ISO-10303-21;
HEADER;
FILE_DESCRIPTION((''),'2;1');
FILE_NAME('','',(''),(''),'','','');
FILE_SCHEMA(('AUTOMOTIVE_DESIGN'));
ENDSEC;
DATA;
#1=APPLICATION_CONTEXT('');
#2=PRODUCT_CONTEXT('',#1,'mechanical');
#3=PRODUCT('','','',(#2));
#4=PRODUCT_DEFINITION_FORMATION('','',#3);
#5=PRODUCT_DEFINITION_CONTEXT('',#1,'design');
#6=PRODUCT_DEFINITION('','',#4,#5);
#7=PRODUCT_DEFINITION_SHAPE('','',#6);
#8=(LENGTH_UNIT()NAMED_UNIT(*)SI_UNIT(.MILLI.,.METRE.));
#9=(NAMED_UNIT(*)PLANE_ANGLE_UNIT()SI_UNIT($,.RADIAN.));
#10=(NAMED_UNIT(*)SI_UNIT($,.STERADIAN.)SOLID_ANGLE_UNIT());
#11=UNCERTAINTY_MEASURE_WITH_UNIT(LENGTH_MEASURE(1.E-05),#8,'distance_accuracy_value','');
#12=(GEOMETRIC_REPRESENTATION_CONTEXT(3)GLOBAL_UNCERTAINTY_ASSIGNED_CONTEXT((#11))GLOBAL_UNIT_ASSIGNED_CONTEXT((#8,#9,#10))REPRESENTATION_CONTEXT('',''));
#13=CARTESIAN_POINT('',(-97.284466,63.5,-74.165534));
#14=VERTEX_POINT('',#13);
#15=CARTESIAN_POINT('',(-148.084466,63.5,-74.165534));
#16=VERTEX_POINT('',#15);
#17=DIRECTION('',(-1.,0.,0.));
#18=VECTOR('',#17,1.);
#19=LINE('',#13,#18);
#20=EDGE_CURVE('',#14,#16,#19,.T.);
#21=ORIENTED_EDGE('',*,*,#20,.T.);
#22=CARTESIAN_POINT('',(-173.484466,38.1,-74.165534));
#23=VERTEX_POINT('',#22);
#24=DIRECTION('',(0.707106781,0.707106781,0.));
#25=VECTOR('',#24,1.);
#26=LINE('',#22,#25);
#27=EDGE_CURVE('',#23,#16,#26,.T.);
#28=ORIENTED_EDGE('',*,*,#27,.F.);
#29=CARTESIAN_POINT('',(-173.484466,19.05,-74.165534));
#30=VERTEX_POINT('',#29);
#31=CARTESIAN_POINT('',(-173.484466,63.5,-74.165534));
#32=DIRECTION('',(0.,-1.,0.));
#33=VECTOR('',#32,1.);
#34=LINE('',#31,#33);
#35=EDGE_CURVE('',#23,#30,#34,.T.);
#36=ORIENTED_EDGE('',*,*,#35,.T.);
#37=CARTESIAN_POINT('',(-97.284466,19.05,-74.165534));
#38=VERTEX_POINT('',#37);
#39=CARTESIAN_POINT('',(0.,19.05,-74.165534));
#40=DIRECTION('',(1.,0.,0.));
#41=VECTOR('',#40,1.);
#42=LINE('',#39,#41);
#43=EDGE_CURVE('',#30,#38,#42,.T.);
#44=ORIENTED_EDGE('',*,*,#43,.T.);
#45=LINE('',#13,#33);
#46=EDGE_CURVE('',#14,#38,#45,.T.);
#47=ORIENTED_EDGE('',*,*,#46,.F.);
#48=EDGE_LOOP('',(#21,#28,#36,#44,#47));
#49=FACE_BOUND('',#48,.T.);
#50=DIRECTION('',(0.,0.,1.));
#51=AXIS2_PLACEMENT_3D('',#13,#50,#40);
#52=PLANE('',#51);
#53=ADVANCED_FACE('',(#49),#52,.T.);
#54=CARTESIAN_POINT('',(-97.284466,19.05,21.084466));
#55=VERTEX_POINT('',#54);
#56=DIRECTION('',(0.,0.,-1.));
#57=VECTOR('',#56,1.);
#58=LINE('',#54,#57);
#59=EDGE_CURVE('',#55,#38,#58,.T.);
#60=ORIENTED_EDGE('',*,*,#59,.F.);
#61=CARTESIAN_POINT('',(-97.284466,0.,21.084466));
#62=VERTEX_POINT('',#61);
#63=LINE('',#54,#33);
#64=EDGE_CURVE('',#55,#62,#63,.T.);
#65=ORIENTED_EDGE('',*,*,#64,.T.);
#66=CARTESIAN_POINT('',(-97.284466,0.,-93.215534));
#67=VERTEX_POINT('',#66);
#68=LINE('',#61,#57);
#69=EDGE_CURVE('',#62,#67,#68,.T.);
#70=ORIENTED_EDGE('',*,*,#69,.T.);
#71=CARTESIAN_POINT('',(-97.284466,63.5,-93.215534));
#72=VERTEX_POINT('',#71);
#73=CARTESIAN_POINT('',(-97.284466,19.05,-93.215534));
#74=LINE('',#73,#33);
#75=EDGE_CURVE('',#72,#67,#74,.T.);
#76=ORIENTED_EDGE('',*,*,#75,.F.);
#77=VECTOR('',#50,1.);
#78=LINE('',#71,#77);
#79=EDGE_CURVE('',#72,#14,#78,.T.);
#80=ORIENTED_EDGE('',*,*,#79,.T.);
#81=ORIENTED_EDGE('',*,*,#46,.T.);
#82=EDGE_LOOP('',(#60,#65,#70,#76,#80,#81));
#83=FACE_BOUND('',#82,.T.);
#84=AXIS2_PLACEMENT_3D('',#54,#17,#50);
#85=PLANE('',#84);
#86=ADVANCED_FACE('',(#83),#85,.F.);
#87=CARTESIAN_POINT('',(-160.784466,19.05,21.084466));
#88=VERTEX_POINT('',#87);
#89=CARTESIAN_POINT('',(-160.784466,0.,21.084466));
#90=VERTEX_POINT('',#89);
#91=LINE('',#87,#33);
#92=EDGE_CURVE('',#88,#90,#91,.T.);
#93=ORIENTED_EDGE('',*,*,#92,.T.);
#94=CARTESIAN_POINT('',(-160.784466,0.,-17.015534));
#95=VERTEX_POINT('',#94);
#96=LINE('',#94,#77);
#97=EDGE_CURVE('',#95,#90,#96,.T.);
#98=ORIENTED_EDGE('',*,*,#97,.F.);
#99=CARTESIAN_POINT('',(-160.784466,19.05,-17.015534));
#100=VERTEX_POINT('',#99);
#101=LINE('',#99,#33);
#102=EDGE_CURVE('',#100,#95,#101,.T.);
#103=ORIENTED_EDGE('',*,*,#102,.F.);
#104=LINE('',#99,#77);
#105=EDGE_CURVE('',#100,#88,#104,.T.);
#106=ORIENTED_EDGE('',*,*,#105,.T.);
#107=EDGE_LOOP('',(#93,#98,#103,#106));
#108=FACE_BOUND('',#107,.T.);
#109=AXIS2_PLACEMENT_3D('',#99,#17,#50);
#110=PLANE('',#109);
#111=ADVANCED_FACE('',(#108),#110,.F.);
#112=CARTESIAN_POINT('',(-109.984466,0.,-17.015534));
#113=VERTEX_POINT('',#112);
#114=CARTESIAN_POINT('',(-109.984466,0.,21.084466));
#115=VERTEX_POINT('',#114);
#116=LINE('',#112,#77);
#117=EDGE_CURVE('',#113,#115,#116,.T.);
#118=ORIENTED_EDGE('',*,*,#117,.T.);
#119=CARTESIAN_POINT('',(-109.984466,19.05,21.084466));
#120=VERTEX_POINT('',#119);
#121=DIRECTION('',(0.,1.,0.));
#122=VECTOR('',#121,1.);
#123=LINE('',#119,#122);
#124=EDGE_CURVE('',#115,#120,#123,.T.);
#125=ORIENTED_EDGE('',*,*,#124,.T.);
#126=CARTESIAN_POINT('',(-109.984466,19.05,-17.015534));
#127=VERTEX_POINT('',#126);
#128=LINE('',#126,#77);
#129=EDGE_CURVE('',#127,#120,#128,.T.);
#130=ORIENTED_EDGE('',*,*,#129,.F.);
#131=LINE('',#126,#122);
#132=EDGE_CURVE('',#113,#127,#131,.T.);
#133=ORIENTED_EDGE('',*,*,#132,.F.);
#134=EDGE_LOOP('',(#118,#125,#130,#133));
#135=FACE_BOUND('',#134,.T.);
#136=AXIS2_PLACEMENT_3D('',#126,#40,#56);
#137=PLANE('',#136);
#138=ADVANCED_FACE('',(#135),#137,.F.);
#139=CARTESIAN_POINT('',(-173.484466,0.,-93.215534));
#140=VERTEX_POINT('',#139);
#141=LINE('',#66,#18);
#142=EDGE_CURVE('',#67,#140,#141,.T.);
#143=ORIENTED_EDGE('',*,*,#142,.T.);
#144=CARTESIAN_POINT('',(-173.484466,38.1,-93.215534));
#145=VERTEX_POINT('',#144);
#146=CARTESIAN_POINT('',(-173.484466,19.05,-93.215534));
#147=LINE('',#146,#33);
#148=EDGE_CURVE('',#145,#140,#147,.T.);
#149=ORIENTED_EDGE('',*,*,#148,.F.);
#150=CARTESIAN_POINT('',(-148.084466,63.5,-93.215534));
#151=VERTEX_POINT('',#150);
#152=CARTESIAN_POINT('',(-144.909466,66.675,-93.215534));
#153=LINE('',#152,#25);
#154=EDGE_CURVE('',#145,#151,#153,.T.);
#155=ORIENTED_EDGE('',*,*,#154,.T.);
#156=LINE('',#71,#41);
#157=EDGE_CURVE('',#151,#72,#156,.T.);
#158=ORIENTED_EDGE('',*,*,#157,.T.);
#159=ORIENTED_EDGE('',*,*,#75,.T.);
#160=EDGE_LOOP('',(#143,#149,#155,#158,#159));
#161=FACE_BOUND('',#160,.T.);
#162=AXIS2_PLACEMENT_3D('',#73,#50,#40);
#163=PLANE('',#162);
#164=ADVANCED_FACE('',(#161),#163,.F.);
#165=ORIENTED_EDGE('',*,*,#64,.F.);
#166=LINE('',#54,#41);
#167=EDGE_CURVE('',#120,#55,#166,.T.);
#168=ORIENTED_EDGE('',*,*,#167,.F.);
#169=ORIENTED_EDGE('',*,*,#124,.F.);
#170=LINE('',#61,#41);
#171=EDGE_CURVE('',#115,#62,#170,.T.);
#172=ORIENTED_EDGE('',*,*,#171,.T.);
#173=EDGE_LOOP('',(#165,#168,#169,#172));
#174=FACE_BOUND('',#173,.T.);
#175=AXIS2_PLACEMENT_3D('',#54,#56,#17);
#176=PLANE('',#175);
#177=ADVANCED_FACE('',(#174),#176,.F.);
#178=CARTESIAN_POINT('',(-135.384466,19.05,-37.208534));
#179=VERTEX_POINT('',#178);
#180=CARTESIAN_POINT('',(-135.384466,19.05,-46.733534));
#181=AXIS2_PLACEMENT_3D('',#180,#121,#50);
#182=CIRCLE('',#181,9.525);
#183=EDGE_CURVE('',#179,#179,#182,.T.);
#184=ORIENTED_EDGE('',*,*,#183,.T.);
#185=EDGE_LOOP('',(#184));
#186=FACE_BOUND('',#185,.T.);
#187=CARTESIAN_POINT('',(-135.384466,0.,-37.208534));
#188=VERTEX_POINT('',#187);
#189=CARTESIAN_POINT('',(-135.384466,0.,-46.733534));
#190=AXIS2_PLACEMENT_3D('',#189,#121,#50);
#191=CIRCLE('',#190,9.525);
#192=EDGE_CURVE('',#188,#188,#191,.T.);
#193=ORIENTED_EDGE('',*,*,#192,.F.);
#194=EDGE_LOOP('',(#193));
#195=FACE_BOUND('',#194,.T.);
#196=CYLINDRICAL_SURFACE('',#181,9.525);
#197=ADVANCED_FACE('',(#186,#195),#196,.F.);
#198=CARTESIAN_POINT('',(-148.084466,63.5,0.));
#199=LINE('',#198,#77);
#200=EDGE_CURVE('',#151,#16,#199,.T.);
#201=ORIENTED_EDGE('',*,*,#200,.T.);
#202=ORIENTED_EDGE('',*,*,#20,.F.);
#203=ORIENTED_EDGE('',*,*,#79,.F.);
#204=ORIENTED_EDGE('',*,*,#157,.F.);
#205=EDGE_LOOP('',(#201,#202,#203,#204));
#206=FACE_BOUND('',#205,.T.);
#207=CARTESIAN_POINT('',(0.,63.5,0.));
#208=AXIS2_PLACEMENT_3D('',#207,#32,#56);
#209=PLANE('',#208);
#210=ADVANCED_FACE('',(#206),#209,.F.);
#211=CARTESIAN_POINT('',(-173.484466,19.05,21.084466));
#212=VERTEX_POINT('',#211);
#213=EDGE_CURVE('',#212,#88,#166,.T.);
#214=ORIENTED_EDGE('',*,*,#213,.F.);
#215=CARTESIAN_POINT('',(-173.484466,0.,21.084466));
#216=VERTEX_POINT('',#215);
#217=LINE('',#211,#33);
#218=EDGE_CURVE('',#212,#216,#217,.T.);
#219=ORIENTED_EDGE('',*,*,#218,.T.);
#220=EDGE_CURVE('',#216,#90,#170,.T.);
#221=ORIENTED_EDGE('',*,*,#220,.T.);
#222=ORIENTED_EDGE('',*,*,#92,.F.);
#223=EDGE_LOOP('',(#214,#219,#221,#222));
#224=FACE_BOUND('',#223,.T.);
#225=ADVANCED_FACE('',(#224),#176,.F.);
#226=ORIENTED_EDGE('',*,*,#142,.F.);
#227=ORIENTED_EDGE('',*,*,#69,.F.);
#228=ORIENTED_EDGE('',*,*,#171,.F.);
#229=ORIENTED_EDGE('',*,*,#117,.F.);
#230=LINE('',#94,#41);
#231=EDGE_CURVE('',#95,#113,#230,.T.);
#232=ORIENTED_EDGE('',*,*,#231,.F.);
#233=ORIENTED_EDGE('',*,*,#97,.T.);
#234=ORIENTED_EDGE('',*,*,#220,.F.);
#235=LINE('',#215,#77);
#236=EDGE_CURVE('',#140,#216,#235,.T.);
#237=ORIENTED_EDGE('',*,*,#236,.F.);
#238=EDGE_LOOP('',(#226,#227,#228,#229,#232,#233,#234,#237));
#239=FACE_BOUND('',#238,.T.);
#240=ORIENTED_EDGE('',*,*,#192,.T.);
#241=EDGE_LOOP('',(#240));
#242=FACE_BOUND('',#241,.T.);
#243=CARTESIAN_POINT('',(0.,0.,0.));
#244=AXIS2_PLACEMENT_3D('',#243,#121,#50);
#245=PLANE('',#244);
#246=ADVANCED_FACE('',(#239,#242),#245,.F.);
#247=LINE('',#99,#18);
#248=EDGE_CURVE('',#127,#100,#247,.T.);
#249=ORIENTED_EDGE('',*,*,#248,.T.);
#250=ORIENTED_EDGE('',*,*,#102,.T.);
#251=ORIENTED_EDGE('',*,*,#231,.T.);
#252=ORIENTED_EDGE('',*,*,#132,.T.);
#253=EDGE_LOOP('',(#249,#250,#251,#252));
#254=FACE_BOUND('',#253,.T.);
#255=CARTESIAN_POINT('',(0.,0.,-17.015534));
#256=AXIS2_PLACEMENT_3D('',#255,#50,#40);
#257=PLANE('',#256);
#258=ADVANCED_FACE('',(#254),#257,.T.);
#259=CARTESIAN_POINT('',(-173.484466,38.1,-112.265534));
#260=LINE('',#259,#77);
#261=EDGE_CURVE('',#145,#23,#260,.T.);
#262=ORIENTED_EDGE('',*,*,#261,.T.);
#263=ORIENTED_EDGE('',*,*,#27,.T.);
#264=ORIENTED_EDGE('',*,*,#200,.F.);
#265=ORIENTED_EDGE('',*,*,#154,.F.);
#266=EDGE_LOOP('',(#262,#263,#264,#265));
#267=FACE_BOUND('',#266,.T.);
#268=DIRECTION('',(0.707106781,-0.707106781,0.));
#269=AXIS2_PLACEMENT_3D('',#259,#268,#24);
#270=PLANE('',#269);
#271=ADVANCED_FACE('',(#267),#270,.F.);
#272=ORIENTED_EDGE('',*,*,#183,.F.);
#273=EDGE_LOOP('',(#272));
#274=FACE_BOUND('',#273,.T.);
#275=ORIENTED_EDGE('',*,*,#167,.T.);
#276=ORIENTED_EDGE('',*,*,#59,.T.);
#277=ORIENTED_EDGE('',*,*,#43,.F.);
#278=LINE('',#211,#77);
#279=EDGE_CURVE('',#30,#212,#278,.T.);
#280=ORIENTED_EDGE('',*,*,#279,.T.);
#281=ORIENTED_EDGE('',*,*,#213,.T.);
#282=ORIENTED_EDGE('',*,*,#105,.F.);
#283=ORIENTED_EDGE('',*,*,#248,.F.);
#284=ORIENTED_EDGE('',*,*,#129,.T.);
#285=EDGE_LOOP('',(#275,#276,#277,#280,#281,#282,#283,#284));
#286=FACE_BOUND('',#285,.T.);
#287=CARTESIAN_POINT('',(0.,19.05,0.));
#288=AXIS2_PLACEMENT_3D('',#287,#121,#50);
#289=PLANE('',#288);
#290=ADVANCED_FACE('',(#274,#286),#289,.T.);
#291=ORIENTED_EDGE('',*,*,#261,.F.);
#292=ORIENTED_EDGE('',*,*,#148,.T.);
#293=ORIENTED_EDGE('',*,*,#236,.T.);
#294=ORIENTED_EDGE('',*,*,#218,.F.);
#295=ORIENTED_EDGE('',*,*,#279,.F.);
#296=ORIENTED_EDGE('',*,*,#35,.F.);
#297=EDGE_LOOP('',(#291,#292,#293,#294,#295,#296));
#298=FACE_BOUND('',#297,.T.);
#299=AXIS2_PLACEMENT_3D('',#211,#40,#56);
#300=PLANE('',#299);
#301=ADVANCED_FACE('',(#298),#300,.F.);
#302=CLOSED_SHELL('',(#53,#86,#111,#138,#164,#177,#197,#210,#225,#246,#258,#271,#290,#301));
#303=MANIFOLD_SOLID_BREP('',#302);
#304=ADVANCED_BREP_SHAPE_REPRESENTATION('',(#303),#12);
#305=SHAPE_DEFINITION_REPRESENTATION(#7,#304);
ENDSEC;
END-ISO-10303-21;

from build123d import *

# Parameters (mm, degrees)
SKETCH1_W                   = 76.2
SKETCH1_H                   = 114.3
BOSS_EXTRUDE1_DEPTH         = 19.05
SKETCH3_W                   = 76.2
SKETCH3_H                   = 19.05
BOSS_EXTRUDE2_DEPTH         = 63.5
F_3_4_0_75_DIAMETER_HOLE1_D = 19.05
SKETCH10_W                  = 50.8
SKETCH10_H                  = 19.05
BOSS_EXTRUDE3_DEPTH         = 38.1
SKETCH12_W                  = 50.8
SKETCH12_H                  = 19.05
CUT_EXTRUDE1_DEPTH          = 38.1
CUT_EXTRUDE2_DEPTH          = 38.1


with BuildPart() as part:
    # Sketch1 → Boss-Extrude1 (new body)
    with BuildSketch(Plane(origin=(0, 0, 0), x_dir=(1, 0, 0), z_dir=(0, 1, 0))):
        with Locations((-135.384466019, 36.065533981)):
            Rectangle(SKETCH1_W, SKETCH1_H)
    extrude(amount=BOSS_EXTRUDE1_DEPTH)

    # Sketch3 → Boss-Extrude2 (add)
    with BuildSketch(Plane.XZ):
        with Locations((-135.384466019, -83.690533981)):
            Rectangle(SKETCH3_W, SKETCH3_H)
    extrude(amount=-BOSS_EXTRUDE2_DEPTH)

    # 3/4 (0.75) Diameter Hole1 (through all)
    with Locations(Plane(origin=(0, 19.05, 0), x_dir=(1, 0, 0), z_dir=(0, 1, 0))):
        with Locations((-135.384466019, 46.733533981)):
            Hole(F_3_4_0_75_DIAMETER_HOLE1_D / 2)

    # Sketch10 → Boss-Extrude3 (add)
    with BuildSketch(Plane.XY.offset(21.084466019)):
        with Locations((-135.384466019, 9.525)):
            Rectangle(SKETCH10_W, SKETCH10_H)
    extrude(amount=-BOSS_EXTRUDE3_DEPTH)

    # Sketch12 → Cut-Extrude1 (cut)
    with BuildSketch(Plane.XY.offset(21.084466019)):
        with Locations((-135.384466019, 9.525)):
            Rectangle(SKETCH12_W, SKETCH12_H)
    extrude(amount=-CUT_EXTRUDE1_DEPTH, mode=Mode.SUBTRACT)

    # Sketch13 → Cut-Extrude2 (cut)
    with BuildSketch(Plane.XY.offset(-74.165533981)):
        Polygon((-173.484466019, 38.1), (-148.084466019, 63.5), (-173.484466019, 63.5), align=None)
    extrude(amount=-CUT_EXTRUDE2_DEPTH, mode=Mode.SUBTRACT)


solid = part.part
